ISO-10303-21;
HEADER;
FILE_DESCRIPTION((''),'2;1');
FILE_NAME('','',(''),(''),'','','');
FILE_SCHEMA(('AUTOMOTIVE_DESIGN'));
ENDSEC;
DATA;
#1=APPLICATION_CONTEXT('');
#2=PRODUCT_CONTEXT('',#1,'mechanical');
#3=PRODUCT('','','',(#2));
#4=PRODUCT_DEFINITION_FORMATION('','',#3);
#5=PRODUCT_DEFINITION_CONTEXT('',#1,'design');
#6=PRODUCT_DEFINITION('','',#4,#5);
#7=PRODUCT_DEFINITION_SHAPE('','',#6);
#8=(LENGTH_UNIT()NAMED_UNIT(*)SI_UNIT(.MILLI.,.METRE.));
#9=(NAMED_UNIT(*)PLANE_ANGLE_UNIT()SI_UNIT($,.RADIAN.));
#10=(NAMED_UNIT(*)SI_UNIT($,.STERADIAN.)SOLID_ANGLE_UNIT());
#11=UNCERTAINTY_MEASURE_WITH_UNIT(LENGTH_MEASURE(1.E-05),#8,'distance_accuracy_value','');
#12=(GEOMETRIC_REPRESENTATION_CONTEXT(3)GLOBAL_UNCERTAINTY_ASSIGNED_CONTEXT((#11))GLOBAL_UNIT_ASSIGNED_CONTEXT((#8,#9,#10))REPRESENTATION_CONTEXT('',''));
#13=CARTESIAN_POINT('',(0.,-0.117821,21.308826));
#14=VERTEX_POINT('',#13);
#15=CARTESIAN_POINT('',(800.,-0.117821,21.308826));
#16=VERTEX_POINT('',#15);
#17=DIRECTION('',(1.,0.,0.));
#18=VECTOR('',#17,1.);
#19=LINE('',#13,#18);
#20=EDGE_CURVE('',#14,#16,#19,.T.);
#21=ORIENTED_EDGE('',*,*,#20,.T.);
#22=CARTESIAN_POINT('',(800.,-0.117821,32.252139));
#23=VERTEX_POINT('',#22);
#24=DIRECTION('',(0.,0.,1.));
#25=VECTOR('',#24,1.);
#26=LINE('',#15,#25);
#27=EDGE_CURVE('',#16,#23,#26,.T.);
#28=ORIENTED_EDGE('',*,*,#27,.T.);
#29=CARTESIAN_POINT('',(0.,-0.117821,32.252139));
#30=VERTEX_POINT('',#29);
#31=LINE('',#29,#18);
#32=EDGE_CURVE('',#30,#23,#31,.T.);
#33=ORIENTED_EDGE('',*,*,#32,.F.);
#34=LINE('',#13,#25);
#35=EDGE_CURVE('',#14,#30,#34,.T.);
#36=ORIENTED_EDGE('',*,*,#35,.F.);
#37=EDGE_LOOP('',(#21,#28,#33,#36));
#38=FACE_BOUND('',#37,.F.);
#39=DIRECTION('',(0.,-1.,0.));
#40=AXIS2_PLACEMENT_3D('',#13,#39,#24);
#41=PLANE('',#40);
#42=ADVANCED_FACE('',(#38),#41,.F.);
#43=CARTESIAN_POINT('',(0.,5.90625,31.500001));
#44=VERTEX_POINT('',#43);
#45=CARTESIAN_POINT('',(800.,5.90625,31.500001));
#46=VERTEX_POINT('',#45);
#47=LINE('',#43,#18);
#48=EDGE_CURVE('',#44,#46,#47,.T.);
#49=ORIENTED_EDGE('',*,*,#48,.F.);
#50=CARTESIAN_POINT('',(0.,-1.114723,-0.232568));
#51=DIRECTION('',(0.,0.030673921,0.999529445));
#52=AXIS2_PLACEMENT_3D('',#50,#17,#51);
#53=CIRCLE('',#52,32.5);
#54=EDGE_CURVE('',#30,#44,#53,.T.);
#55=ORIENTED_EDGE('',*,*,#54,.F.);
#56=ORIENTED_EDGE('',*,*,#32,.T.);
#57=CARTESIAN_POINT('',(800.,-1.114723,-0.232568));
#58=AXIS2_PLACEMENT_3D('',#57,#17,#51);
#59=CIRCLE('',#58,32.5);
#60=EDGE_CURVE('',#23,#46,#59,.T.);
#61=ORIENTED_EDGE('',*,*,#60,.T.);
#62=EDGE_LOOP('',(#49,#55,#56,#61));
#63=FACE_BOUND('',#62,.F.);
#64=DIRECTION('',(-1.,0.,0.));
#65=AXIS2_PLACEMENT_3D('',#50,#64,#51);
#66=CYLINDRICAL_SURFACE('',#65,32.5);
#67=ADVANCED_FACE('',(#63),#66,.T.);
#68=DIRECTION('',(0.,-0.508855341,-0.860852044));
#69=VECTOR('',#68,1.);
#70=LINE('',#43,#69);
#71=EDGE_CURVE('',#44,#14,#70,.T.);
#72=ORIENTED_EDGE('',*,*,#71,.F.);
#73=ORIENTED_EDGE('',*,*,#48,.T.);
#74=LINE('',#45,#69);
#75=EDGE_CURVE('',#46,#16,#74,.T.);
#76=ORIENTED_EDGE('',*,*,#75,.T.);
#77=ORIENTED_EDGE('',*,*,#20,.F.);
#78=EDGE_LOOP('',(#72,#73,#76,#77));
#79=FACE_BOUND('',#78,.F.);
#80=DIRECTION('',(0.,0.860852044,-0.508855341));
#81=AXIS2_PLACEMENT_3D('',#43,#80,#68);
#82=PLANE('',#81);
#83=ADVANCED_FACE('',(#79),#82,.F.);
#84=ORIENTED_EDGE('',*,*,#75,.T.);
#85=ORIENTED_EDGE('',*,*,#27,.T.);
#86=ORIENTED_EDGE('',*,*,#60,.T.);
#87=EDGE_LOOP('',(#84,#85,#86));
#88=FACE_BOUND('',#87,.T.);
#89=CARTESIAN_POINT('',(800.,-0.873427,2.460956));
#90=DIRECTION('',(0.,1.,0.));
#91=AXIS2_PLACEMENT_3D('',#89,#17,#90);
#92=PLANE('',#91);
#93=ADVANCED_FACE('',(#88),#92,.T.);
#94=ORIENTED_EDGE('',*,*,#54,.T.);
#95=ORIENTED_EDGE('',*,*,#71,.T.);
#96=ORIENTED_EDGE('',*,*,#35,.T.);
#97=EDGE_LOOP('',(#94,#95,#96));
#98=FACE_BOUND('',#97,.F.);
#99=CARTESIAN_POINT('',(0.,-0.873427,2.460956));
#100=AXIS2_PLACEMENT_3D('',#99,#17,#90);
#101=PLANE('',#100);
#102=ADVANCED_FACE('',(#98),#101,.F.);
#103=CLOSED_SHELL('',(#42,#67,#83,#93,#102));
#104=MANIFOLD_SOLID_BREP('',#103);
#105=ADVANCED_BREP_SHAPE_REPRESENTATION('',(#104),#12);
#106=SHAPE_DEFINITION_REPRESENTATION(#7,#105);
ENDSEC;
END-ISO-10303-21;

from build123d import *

# Parameters (mm, degrees)
F1_DEPTH = 800


with BuildPart() as f1:
    # F0 (on Right) → F1 (new body)
    with BuildSketch(Plane.YZ):
        with BuildLine():
            Line((-0.117821, 21.308826), (-0.117821, 32.252139))
            ThreePointArc((-0.117821, 32.252139), (-5.141267, -32.482172), (5.90625, 31.500001))
            Line((5.90625, 31.500001), (-0.117821, 21.308826))
        make_face()
    extrude(amount=F1_DEPTH)


solid = f1.part
